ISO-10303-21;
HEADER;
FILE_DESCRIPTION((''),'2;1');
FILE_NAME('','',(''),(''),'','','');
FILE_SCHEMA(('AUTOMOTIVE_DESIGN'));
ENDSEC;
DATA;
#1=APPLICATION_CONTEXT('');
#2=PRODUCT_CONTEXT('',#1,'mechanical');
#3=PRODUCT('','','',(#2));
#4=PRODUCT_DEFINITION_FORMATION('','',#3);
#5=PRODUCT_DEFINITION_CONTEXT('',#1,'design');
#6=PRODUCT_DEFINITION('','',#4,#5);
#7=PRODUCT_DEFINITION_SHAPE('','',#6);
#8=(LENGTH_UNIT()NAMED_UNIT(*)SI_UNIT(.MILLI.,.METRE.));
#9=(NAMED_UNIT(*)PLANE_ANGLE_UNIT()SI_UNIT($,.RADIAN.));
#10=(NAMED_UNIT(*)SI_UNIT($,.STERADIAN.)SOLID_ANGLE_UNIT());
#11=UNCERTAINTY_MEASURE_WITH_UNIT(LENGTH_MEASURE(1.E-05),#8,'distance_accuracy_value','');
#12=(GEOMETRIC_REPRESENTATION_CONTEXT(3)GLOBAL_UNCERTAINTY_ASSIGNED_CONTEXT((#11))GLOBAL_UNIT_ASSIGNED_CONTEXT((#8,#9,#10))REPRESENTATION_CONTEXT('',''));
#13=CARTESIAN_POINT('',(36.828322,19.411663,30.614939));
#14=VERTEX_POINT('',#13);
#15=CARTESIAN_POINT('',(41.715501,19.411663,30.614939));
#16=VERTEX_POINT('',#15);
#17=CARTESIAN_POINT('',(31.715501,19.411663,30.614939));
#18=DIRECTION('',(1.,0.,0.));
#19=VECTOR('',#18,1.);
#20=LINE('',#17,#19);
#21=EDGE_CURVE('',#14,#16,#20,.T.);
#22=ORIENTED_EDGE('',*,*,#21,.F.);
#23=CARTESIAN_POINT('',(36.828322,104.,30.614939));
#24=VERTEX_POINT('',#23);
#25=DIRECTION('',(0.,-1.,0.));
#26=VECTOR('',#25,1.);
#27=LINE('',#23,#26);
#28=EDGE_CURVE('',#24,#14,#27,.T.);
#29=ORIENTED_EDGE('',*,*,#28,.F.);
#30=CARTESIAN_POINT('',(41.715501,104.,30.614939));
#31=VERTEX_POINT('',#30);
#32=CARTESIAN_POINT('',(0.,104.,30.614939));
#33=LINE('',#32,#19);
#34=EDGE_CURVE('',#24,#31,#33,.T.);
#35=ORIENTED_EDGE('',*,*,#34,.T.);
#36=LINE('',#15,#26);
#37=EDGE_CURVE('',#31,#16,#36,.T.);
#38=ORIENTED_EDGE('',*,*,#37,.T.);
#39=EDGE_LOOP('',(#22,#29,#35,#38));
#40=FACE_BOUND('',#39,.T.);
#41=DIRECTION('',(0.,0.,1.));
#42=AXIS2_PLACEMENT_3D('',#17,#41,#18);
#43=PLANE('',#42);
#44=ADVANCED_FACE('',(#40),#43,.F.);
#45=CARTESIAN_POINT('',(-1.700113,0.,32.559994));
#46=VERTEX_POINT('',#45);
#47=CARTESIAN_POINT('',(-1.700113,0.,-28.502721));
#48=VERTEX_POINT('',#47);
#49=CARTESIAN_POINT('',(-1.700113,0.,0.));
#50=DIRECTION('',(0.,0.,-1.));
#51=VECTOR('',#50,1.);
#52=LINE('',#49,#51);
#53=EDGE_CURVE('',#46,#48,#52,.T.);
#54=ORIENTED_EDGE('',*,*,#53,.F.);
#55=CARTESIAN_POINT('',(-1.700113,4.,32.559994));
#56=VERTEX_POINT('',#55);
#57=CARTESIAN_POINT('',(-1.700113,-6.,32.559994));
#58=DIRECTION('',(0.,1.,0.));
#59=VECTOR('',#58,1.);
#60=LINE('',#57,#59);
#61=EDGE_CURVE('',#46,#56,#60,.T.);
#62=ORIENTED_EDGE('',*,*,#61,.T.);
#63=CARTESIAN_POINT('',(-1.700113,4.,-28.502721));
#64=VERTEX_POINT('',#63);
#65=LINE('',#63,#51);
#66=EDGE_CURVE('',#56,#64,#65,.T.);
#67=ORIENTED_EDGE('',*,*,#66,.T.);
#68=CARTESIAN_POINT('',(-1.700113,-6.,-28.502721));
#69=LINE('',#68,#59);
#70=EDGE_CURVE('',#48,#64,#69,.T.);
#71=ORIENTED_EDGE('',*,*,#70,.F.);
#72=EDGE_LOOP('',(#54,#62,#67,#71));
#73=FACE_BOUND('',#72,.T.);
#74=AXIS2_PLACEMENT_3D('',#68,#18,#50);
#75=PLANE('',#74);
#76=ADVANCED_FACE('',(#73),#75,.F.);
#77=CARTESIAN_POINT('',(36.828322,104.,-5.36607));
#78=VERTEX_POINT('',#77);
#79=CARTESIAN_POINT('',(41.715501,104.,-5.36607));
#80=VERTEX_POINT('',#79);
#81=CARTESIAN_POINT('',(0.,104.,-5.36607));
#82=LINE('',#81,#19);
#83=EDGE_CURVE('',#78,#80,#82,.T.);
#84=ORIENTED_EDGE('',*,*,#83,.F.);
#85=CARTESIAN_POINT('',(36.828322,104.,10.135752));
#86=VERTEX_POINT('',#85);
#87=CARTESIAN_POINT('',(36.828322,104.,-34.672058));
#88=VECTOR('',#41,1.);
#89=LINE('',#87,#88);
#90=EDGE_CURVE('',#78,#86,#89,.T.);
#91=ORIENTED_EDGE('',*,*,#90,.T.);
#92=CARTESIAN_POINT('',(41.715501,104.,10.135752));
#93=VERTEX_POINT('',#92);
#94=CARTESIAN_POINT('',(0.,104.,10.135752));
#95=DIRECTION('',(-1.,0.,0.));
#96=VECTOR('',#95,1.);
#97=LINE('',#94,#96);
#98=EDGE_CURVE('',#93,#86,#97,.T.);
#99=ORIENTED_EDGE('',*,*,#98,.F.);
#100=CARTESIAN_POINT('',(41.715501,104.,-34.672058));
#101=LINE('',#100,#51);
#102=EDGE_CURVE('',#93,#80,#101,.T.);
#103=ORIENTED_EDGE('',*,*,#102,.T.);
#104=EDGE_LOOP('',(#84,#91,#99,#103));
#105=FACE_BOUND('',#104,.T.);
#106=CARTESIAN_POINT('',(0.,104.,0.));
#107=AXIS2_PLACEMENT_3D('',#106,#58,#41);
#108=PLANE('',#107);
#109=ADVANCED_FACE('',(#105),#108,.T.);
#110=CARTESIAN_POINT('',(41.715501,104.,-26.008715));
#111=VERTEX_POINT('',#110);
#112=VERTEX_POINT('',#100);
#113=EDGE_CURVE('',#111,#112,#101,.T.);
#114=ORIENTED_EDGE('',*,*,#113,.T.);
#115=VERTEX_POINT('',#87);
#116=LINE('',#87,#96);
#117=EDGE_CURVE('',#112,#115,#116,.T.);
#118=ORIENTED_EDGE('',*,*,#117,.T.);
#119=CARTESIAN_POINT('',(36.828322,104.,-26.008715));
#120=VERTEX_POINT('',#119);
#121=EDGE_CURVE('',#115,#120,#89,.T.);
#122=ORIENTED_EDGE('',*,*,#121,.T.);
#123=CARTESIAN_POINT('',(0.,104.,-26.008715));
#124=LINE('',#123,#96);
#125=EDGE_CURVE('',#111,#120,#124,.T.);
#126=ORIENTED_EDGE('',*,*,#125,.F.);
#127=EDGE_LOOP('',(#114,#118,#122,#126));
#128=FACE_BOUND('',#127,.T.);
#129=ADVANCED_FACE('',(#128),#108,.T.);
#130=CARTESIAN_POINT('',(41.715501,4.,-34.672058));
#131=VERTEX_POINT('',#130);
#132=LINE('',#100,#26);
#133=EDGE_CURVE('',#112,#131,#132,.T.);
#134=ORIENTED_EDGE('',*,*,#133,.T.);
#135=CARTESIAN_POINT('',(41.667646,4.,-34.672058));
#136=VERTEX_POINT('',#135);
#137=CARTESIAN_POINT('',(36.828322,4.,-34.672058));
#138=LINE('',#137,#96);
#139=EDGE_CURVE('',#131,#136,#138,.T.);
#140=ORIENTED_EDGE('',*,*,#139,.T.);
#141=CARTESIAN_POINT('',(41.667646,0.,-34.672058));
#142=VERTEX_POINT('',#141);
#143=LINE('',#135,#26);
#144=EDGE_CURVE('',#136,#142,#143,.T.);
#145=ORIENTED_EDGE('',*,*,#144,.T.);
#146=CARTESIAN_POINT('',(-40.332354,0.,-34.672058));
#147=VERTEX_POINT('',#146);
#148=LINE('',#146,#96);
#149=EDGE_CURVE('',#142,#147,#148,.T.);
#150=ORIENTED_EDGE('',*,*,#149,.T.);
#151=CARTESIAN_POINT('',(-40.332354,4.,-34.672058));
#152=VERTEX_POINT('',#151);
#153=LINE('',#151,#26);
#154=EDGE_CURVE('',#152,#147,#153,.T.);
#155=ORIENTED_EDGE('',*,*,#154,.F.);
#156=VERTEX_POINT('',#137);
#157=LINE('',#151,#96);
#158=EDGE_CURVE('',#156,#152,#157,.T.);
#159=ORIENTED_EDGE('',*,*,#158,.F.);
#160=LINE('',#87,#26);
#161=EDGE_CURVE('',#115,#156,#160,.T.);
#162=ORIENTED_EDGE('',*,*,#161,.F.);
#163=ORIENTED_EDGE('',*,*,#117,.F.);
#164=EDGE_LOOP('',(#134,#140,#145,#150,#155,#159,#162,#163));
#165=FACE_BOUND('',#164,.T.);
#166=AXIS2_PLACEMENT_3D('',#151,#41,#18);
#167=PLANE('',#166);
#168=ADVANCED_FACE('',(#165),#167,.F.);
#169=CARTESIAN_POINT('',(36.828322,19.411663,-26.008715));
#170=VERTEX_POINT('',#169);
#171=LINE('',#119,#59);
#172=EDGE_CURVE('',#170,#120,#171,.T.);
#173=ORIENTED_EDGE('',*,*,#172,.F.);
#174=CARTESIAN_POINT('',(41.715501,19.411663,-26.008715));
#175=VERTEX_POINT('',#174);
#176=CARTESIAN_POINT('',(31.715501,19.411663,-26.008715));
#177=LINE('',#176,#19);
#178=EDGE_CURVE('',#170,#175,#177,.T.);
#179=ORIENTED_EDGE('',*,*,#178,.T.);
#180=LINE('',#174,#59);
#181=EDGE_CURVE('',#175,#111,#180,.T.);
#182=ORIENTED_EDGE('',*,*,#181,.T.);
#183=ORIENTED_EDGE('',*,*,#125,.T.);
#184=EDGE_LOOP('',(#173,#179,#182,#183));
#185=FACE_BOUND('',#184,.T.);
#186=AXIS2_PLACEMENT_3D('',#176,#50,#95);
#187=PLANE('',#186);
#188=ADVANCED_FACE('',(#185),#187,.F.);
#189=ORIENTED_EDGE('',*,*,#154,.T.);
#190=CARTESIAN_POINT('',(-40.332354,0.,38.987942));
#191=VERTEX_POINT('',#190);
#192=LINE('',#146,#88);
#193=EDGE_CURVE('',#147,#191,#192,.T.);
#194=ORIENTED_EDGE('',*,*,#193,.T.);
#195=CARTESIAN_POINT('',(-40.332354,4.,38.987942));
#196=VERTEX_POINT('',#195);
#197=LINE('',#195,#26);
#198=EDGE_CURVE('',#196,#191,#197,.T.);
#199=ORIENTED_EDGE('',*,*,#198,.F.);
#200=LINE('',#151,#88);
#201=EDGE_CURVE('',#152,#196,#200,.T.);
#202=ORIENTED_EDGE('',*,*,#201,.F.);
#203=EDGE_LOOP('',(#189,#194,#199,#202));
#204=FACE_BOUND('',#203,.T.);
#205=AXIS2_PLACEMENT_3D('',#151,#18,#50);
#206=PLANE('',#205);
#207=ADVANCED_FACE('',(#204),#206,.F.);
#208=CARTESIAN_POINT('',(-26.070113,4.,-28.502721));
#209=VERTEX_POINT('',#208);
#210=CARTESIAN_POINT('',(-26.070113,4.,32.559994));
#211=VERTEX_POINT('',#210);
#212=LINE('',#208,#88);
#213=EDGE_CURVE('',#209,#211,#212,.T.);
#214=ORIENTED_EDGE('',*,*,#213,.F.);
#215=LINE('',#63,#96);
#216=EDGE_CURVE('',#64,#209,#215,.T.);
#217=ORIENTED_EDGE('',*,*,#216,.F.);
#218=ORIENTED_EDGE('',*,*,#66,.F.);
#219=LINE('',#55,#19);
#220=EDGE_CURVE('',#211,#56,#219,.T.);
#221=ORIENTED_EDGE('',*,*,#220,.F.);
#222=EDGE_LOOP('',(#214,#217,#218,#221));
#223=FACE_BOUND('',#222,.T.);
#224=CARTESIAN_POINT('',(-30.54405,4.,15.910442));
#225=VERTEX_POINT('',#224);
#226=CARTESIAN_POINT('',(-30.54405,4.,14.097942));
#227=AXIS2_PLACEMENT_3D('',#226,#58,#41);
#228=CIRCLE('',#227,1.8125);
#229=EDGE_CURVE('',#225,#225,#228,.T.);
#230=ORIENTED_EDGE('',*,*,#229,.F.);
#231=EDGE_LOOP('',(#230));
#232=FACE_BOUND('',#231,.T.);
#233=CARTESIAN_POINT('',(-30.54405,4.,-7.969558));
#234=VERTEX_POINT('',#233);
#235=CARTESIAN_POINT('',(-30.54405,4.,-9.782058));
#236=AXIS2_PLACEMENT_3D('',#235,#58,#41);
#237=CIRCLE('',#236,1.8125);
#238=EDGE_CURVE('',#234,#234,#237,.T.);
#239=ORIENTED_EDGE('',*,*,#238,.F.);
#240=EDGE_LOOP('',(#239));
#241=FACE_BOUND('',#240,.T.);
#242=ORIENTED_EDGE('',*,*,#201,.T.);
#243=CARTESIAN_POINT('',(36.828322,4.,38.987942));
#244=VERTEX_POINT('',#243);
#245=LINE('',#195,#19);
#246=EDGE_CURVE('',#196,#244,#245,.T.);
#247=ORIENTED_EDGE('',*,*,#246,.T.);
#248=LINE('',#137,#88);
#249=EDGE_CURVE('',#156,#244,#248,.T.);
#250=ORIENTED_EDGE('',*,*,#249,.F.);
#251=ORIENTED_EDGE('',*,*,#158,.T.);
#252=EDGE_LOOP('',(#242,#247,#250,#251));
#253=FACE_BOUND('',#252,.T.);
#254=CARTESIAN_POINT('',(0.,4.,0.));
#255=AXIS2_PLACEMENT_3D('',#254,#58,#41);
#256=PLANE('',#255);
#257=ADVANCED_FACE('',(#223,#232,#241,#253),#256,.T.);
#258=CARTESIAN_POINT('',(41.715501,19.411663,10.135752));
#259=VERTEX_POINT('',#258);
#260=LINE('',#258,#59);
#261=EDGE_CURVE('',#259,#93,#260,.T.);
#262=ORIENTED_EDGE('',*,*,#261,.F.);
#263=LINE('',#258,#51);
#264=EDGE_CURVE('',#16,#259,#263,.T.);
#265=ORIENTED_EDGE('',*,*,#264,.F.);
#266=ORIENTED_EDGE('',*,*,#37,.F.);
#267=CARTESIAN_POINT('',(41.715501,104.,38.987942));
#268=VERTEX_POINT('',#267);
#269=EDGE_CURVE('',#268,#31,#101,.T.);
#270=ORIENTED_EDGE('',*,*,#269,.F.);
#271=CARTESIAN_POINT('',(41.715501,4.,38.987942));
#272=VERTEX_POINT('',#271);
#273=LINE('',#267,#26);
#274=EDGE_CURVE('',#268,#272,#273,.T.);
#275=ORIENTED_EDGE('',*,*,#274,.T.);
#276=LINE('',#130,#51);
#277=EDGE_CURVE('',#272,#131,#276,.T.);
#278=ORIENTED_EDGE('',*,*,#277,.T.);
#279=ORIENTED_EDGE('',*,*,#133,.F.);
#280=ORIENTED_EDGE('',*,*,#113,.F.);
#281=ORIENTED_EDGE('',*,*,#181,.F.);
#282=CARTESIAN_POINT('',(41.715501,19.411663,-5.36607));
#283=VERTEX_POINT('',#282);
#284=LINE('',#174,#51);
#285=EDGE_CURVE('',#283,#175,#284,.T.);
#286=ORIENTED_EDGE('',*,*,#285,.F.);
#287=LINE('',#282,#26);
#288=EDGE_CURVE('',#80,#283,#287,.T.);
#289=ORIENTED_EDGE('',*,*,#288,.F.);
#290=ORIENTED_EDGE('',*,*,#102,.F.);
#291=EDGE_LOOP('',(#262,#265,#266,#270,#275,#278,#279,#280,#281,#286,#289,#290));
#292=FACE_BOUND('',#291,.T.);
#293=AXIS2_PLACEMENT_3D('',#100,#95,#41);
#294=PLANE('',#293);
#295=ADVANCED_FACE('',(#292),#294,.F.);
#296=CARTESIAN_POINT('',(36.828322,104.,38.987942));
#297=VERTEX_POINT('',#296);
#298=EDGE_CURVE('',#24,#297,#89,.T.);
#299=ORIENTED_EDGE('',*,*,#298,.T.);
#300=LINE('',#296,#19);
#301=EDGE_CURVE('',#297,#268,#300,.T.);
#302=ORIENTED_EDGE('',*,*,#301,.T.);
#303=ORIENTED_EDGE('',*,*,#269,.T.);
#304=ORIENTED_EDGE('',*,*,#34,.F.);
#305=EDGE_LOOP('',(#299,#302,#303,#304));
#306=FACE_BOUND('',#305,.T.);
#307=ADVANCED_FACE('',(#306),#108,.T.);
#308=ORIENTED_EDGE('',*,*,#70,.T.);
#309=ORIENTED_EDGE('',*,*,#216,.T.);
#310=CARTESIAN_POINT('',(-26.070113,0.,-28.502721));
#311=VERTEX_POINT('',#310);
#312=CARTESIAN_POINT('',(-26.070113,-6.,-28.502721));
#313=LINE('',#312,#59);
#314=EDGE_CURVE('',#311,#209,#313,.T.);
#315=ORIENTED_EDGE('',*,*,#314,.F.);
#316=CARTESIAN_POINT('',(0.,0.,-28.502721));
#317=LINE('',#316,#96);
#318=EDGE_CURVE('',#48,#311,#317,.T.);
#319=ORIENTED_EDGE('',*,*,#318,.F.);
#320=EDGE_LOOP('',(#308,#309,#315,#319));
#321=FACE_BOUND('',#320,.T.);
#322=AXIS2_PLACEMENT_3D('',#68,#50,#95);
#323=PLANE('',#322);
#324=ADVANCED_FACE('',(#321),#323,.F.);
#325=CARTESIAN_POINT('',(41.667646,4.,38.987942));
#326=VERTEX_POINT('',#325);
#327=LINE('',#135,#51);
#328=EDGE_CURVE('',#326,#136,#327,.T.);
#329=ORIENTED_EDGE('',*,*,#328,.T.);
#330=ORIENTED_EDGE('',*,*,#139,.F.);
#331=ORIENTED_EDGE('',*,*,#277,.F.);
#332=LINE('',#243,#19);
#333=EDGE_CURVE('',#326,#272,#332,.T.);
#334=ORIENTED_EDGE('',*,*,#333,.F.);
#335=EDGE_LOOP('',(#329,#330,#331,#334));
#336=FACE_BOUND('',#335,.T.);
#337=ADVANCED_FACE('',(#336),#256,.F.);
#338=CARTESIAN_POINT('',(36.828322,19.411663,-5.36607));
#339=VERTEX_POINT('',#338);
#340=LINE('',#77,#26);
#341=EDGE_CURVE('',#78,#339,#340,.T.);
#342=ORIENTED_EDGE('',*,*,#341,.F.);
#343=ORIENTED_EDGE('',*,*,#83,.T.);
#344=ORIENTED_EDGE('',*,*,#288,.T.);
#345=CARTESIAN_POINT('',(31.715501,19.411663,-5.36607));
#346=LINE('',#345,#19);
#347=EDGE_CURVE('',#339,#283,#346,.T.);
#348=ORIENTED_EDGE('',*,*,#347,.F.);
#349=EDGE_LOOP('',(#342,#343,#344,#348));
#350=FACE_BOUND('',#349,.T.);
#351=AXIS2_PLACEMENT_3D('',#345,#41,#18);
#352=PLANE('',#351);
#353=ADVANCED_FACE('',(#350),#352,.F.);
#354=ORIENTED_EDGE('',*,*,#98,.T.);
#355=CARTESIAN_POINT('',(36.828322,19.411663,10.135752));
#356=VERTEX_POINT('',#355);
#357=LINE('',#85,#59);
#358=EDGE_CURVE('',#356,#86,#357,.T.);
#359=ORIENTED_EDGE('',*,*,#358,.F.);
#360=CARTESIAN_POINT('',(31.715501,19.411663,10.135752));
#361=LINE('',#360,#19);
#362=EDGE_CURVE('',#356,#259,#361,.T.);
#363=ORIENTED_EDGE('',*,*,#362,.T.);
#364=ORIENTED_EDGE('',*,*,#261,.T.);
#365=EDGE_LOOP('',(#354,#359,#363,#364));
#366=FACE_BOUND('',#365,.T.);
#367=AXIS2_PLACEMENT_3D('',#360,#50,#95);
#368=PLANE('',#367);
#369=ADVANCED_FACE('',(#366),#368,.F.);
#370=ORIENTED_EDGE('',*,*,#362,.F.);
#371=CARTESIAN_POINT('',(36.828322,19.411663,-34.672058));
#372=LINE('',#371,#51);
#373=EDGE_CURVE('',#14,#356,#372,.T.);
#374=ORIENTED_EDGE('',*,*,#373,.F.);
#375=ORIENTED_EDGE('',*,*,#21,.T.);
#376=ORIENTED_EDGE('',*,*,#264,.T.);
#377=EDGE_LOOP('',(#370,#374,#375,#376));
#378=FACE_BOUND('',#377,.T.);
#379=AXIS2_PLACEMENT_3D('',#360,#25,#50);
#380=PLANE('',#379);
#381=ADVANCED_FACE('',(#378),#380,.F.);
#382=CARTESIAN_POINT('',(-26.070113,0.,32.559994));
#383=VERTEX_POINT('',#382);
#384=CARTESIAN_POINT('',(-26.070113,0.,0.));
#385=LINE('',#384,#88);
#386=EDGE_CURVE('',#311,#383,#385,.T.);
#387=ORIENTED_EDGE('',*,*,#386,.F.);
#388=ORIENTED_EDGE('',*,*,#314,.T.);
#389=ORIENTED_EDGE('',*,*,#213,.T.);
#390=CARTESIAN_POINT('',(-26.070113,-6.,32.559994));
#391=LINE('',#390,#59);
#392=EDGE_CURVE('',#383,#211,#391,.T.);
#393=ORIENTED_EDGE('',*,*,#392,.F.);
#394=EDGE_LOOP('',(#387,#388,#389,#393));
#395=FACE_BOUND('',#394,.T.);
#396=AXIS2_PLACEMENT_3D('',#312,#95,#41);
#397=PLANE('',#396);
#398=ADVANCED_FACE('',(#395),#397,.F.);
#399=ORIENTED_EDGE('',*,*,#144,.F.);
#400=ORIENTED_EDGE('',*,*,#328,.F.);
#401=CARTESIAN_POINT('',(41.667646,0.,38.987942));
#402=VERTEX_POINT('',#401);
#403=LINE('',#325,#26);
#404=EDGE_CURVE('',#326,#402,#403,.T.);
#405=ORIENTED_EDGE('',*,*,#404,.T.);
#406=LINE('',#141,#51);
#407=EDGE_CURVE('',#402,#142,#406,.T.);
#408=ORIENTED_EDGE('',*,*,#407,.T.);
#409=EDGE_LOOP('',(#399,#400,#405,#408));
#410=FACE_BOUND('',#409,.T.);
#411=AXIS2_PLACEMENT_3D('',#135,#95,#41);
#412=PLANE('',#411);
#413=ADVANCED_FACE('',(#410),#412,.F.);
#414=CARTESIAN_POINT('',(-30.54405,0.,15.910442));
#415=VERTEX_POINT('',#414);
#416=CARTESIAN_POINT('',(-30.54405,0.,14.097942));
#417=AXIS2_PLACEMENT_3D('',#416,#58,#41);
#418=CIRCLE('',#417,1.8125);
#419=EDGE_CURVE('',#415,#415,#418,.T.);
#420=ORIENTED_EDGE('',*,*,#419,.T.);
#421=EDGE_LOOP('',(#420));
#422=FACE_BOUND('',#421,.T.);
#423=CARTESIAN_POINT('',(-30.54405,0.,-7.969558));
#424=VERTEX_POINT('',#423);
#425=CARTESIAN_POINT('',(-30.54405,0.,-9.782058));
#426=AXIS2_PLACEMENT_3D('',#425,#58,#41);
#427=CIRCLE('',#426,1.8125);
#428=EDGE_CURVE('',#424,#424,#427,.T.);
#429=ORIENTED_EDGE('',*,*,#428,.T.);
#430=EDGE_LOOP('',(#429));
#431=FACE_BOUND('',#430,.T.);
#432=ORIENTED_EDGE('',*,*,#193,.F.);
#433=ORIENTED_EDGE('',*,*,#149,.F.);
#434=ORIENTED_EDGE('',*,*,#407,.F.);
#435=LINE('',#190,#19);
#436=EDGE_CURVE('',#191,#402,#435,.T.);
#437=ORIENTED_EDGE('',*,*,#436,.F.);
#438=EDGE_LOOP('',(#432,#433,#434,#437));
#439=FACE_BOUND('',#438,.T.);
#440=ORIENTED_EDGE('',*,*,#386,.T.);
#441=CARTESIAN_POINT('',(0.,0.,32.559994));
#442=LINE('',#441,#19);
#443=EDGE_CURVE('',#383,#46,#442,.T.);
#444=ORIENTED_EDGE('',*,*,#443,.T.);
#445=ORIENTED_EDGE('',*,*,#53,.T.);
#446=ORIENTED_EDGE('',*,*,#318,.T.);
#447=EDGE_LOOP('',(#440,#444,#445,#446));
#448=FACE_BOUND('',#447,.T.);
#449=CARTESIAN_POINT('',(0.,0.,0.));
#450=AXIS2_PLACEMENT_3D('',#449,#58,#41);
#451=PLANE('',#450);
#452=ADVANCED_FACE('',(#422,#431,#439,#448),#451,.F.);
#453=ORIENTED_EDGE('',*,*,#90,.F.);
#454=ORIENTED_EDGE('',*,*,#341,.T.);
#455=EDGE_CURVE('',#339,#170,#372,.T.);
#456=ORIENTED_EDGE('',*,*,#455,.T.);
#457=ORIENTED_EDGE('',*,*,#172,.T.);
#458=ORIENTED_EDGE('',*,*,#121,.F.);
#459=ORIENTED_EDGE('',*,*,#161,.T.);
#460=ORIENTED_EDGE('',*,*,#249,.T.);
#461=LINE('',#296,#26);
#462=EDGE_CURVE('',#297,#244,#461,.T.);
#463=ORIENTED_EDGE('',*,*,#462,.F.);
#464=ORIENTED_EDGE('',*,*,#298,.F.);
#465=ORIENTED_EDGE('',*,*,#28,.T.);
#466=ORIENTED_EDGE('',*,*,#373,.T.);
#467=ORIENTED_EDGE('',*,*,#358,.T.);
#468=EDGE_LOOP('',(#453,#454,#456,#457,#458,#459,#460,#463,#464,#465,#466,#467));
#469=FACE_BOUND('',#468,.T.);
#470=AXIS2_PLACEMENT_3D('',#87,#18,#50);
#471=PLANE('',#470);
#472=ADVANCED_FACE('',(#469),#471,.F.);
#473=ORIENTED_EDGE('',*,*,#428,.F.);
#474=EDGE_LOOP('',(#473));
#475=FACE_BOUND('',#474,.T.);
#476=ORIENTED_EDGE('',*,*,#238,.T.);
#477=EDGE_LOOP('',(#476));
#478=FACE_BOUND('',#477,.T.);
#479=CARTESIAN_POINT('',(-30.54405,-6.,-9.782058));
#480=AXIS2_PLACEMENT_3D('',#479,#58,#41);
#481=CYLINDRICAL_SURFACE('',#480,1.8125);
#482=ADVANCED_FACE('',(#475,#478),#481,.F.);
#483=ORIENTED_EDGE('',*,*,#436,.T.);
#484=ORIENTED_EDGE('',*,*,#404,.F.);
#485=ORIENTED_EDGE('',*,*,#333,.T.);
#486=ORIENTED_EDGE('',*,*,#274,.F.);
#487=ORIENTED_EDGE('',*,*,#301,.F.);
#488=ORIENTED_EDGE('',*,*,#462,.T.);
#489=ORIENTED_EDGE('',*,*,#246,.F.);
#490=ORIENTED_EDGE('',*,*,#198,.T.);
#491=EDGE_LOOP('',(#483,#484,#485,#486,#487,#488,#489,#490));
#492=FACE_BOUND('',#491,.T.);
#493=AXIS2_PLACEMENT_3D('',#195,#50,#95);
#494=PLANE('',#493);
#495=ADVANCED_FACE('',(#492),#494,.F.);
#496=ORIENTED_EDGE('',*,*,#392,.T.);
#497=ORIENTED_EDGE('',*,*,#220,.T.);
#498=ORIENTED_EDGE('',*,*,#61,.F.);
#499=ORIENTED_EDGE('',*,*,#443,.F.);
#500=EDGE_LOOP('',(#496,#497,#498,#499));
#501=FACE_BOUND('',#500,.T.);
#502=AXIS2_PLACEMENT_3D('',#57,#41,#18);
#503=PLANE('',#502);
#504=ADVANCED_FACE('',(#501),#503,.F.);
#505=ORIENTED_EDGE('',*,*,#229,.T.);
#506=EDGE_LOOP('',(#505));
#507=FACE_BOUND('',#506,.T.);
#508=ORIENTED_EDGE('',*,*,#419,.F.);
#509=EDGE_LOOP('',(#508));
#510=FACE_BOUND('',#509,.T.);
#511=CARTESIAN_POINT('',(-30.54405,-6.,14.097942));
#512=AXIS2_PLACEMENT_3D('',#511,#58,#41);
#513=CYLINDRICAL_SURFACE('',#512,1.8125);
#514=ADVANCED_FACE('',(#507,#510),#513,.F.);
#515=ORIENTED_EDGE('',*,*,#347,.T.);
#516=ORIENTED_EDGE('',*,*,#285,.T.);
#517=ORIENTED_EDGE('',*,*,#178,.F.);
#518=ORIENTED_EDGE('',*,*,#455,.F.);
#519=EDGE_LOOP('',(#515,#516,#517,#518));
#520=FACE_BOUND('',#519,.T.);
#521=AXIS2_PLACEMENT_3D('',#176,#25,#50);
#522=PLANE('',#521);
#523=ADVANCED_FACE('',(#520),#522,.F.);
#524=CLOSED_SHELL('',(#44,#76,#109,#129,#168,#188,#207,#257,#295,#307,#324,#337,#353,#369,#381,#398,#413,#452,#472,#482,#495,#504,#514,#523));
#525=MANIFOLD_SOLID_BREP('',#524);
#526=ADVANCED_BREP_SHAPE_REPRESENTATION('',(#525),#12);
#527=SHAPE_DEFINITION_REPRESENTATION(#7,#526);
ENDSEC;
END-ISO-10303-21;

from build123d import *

# Parameters (mm, degrees)
SKETCH1_W           = 82
SKETCH1_H           = 73.66
BOSS_EXTRUDE1_DEPTH = 4
SKETCH2_W           = 4.88717895
SKETCH2_H           = 73.66
BOSS_EXTRUDE2_DEPTH = 100
SKETCH3_R           = 1.8125
CUT_EXTRUDE1_DEPTH  = 10
SKETCH4_W           = 24.37
SKETCH4_H           = 61.062715067
CUT_EXTRUDE2_DEPTH  = 10
SKETCH5_W           = 20.642645576
SKETCH5_H           = 101.129835632
SKETCH5_W_2         = 20.479187661
SKETCH5_H_2         = 100.180376076
CUT_EXTRUDE3_DEPTH  = 10


with BuildPart() as part:
    # Sketch1 → Boss-Extrude1 (new body)
    with BuildSketch(Plane(origin=(0, 0, 0), x_dir=(1, 0, 0), z_dir=(0, 1, 0))):
        with Locations((0.667646454, -2.157941762)):
            Rectangle(SKETCH1_W, SKETCH1_H)
    extrude(amount=BOSS_EXTRUDE1_DEPTH)

    # Sketch2 → Boss-Extrude2 (add)
    with BuildSketch(Plane(origin=(0, 4, 0), x_dir=(1, 0, 0), z_dir=(0, 1, 0))):
        with Locations((39.271911138, -2.157941762)):
            Rectangle(SKETCH2_W, SKETCH2_H)
    extrude(amount=BOSS_EXTRUDE2_DEPTH)

    # Sketch3 → Cut-Extrude1 (cut)
    with BuildSketch(Plane(origin=(0, 4, 0), x_dir=(1, 0, 0), z_dir=(0, 1, 0))):
        with Locations((-30.544050148, 9.782058238)):
            Circle(SKETCH3_R)
        with Locations((-30.544050148, -14.097941762)):
            Circle(SKETCH3_R)
    extrude(amount=-CUT_EXTRUDE1_DEPTH, mode=Mode.SUBTRACT)

    # Sketch4 → Cut-Extrude2 (cut)
    with BuildSketch(Plane(origin=(0, 4, 0), x_dir=(1, 0, 0), z_dir=(0, 1, 0))):
        with Locations((-13.885112628, -2.028636366)):
            Rectangle(SKETCH4_W, SKETCH4_H)
    extrude(amount=-CUT_EXTRUDE2_DEPTH, mode=Mode.SUBTRACT)

    # Sketch5 → Cut-Extrude3 (cut)
    with BuildSketch(Plane(origin=(41.715500613, 0, 0), x_dir=(0, 0, -1), z_dir=(1, 0, 0))):
        with Locations((15.687392669, 69.976580633)):
            Rectangle(SKETCH5_W, SKETCH5_H)
        with Locations((-20.375345347, 69.501850855)):
            Rectangle(SKETCH5_W_2, SKETCH5_H_2)
    extrude(amount=-CUT_EXTRUDE3_DEPTH, mode=Mode.SUBTRACT)


solid = part.part
